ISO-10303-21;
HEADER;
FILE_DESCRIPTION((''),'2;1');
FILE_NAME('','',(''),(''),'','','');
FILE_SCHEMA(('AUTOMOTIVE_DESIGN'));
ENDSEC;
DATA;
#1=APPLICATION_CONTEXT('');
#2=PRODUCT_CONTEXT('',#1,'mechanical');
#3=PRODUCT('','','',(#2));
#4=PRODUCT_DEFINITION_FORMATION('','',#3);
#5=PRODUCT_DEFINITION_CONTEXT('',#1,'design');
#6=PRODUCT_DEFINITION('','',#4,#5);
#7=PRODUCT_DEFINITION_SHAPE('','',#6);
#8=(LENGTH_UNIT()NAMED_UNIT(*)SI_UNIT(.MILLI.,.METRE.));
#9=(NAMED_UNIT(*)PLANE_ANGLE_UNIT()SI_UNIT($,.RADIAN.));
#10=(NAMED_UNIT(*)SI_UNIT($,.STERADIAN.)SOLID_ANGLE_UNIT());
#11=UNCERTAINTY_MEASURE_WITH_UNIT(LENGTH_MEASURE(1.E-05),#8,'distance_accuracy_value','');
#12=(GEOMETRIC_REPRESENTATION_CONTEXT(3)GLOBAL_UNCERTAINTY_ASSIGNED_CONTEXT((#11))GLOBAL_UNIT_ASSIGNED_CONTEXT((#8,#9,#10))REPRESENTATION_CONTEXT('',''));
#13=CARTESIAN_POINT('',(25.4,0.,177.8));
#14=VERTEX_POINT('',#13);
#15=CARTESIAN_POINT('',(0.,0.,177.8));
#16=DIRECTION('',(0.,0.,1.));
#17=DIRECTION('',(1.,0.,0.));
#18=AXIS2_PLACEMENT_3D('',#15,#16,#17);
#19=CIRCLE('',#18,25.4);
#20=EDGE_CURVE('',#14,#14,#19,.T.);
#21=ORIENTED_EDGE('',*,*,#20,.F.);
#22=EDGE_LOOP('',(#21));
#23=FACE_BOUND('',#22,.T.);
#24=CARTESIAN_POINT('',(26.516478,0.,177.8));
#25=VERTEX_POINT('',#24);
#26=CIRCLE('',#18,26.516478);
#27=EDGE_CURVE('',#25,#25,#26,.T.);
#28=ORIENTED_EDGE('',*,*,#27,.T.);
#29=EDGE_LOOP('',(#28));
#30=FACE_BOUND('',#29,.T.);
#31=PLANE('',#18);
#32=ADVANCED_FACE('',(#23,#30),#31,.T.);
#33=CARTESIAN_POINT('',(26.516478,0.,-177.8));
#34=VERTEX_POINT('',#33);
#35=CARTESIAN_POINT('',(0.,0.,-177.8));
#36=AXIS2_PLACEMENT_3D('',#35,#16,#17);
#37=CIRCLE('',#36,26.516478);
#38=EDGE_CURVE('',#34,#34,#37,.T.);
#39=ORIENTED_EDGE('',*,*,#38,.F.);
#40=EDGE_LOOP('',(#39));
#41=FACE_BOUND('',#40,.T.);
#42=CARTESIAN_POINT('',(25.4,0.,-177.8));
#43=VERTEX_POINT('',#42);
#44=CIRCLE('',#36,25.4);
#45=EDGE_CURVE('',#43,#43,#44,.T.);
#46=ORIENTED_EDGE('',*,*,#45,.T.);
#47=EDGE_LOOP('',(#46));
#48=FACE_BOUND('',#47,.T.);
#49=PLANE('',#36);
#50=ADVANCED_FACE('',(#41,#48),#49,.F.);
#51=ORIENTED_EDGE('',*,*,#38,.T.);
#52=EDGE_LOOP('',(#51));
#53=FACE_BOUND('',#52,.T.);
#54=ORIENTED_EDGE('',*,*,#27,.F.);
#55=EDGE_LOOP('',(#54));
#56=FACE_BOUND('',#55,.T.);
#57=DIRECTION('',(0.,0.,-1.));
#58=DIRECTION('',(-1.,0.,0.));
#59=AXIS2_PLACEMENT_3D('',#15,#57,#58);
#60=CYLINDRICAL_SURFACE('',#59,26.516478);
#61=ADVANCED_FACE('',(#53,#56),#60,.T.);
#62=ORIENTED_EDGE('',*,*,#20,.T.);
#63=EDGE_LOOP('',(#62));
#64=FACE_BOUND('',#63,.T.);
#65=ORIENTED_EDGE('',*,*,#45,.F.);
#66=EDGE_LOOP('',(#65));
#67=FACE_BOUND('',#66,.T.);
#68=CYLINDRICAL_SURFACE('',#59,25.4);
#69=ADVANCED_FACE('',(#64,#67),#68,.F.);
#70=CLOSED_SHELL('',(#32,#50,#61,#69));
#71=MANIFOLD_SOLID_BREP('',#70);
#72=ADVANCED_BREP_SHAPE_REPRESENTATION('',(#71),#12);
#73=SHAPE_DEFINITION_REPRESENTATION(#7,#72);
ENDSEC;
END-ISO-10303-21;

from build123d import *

# Parameters (mm, degrees)
SKETCH1_R           = 26.516477778
SKETCH1_R_2         = 25.4
BOSS_EXTRUDE1_DEPTH = 177.8


with BuildPart() as part:
    # Sketch1 → Boss-Extrude1 (new, symmetric)
    with BuildSketch(Plane.XY):
        Circle(SKETCH1_R)
        Circle(SKETCH1_R_2, mode=Mode.SUBTRACT)
    extrude(amount=BOSS_EXTRUDE1_DEPTH, both=True)


solid = part.part
